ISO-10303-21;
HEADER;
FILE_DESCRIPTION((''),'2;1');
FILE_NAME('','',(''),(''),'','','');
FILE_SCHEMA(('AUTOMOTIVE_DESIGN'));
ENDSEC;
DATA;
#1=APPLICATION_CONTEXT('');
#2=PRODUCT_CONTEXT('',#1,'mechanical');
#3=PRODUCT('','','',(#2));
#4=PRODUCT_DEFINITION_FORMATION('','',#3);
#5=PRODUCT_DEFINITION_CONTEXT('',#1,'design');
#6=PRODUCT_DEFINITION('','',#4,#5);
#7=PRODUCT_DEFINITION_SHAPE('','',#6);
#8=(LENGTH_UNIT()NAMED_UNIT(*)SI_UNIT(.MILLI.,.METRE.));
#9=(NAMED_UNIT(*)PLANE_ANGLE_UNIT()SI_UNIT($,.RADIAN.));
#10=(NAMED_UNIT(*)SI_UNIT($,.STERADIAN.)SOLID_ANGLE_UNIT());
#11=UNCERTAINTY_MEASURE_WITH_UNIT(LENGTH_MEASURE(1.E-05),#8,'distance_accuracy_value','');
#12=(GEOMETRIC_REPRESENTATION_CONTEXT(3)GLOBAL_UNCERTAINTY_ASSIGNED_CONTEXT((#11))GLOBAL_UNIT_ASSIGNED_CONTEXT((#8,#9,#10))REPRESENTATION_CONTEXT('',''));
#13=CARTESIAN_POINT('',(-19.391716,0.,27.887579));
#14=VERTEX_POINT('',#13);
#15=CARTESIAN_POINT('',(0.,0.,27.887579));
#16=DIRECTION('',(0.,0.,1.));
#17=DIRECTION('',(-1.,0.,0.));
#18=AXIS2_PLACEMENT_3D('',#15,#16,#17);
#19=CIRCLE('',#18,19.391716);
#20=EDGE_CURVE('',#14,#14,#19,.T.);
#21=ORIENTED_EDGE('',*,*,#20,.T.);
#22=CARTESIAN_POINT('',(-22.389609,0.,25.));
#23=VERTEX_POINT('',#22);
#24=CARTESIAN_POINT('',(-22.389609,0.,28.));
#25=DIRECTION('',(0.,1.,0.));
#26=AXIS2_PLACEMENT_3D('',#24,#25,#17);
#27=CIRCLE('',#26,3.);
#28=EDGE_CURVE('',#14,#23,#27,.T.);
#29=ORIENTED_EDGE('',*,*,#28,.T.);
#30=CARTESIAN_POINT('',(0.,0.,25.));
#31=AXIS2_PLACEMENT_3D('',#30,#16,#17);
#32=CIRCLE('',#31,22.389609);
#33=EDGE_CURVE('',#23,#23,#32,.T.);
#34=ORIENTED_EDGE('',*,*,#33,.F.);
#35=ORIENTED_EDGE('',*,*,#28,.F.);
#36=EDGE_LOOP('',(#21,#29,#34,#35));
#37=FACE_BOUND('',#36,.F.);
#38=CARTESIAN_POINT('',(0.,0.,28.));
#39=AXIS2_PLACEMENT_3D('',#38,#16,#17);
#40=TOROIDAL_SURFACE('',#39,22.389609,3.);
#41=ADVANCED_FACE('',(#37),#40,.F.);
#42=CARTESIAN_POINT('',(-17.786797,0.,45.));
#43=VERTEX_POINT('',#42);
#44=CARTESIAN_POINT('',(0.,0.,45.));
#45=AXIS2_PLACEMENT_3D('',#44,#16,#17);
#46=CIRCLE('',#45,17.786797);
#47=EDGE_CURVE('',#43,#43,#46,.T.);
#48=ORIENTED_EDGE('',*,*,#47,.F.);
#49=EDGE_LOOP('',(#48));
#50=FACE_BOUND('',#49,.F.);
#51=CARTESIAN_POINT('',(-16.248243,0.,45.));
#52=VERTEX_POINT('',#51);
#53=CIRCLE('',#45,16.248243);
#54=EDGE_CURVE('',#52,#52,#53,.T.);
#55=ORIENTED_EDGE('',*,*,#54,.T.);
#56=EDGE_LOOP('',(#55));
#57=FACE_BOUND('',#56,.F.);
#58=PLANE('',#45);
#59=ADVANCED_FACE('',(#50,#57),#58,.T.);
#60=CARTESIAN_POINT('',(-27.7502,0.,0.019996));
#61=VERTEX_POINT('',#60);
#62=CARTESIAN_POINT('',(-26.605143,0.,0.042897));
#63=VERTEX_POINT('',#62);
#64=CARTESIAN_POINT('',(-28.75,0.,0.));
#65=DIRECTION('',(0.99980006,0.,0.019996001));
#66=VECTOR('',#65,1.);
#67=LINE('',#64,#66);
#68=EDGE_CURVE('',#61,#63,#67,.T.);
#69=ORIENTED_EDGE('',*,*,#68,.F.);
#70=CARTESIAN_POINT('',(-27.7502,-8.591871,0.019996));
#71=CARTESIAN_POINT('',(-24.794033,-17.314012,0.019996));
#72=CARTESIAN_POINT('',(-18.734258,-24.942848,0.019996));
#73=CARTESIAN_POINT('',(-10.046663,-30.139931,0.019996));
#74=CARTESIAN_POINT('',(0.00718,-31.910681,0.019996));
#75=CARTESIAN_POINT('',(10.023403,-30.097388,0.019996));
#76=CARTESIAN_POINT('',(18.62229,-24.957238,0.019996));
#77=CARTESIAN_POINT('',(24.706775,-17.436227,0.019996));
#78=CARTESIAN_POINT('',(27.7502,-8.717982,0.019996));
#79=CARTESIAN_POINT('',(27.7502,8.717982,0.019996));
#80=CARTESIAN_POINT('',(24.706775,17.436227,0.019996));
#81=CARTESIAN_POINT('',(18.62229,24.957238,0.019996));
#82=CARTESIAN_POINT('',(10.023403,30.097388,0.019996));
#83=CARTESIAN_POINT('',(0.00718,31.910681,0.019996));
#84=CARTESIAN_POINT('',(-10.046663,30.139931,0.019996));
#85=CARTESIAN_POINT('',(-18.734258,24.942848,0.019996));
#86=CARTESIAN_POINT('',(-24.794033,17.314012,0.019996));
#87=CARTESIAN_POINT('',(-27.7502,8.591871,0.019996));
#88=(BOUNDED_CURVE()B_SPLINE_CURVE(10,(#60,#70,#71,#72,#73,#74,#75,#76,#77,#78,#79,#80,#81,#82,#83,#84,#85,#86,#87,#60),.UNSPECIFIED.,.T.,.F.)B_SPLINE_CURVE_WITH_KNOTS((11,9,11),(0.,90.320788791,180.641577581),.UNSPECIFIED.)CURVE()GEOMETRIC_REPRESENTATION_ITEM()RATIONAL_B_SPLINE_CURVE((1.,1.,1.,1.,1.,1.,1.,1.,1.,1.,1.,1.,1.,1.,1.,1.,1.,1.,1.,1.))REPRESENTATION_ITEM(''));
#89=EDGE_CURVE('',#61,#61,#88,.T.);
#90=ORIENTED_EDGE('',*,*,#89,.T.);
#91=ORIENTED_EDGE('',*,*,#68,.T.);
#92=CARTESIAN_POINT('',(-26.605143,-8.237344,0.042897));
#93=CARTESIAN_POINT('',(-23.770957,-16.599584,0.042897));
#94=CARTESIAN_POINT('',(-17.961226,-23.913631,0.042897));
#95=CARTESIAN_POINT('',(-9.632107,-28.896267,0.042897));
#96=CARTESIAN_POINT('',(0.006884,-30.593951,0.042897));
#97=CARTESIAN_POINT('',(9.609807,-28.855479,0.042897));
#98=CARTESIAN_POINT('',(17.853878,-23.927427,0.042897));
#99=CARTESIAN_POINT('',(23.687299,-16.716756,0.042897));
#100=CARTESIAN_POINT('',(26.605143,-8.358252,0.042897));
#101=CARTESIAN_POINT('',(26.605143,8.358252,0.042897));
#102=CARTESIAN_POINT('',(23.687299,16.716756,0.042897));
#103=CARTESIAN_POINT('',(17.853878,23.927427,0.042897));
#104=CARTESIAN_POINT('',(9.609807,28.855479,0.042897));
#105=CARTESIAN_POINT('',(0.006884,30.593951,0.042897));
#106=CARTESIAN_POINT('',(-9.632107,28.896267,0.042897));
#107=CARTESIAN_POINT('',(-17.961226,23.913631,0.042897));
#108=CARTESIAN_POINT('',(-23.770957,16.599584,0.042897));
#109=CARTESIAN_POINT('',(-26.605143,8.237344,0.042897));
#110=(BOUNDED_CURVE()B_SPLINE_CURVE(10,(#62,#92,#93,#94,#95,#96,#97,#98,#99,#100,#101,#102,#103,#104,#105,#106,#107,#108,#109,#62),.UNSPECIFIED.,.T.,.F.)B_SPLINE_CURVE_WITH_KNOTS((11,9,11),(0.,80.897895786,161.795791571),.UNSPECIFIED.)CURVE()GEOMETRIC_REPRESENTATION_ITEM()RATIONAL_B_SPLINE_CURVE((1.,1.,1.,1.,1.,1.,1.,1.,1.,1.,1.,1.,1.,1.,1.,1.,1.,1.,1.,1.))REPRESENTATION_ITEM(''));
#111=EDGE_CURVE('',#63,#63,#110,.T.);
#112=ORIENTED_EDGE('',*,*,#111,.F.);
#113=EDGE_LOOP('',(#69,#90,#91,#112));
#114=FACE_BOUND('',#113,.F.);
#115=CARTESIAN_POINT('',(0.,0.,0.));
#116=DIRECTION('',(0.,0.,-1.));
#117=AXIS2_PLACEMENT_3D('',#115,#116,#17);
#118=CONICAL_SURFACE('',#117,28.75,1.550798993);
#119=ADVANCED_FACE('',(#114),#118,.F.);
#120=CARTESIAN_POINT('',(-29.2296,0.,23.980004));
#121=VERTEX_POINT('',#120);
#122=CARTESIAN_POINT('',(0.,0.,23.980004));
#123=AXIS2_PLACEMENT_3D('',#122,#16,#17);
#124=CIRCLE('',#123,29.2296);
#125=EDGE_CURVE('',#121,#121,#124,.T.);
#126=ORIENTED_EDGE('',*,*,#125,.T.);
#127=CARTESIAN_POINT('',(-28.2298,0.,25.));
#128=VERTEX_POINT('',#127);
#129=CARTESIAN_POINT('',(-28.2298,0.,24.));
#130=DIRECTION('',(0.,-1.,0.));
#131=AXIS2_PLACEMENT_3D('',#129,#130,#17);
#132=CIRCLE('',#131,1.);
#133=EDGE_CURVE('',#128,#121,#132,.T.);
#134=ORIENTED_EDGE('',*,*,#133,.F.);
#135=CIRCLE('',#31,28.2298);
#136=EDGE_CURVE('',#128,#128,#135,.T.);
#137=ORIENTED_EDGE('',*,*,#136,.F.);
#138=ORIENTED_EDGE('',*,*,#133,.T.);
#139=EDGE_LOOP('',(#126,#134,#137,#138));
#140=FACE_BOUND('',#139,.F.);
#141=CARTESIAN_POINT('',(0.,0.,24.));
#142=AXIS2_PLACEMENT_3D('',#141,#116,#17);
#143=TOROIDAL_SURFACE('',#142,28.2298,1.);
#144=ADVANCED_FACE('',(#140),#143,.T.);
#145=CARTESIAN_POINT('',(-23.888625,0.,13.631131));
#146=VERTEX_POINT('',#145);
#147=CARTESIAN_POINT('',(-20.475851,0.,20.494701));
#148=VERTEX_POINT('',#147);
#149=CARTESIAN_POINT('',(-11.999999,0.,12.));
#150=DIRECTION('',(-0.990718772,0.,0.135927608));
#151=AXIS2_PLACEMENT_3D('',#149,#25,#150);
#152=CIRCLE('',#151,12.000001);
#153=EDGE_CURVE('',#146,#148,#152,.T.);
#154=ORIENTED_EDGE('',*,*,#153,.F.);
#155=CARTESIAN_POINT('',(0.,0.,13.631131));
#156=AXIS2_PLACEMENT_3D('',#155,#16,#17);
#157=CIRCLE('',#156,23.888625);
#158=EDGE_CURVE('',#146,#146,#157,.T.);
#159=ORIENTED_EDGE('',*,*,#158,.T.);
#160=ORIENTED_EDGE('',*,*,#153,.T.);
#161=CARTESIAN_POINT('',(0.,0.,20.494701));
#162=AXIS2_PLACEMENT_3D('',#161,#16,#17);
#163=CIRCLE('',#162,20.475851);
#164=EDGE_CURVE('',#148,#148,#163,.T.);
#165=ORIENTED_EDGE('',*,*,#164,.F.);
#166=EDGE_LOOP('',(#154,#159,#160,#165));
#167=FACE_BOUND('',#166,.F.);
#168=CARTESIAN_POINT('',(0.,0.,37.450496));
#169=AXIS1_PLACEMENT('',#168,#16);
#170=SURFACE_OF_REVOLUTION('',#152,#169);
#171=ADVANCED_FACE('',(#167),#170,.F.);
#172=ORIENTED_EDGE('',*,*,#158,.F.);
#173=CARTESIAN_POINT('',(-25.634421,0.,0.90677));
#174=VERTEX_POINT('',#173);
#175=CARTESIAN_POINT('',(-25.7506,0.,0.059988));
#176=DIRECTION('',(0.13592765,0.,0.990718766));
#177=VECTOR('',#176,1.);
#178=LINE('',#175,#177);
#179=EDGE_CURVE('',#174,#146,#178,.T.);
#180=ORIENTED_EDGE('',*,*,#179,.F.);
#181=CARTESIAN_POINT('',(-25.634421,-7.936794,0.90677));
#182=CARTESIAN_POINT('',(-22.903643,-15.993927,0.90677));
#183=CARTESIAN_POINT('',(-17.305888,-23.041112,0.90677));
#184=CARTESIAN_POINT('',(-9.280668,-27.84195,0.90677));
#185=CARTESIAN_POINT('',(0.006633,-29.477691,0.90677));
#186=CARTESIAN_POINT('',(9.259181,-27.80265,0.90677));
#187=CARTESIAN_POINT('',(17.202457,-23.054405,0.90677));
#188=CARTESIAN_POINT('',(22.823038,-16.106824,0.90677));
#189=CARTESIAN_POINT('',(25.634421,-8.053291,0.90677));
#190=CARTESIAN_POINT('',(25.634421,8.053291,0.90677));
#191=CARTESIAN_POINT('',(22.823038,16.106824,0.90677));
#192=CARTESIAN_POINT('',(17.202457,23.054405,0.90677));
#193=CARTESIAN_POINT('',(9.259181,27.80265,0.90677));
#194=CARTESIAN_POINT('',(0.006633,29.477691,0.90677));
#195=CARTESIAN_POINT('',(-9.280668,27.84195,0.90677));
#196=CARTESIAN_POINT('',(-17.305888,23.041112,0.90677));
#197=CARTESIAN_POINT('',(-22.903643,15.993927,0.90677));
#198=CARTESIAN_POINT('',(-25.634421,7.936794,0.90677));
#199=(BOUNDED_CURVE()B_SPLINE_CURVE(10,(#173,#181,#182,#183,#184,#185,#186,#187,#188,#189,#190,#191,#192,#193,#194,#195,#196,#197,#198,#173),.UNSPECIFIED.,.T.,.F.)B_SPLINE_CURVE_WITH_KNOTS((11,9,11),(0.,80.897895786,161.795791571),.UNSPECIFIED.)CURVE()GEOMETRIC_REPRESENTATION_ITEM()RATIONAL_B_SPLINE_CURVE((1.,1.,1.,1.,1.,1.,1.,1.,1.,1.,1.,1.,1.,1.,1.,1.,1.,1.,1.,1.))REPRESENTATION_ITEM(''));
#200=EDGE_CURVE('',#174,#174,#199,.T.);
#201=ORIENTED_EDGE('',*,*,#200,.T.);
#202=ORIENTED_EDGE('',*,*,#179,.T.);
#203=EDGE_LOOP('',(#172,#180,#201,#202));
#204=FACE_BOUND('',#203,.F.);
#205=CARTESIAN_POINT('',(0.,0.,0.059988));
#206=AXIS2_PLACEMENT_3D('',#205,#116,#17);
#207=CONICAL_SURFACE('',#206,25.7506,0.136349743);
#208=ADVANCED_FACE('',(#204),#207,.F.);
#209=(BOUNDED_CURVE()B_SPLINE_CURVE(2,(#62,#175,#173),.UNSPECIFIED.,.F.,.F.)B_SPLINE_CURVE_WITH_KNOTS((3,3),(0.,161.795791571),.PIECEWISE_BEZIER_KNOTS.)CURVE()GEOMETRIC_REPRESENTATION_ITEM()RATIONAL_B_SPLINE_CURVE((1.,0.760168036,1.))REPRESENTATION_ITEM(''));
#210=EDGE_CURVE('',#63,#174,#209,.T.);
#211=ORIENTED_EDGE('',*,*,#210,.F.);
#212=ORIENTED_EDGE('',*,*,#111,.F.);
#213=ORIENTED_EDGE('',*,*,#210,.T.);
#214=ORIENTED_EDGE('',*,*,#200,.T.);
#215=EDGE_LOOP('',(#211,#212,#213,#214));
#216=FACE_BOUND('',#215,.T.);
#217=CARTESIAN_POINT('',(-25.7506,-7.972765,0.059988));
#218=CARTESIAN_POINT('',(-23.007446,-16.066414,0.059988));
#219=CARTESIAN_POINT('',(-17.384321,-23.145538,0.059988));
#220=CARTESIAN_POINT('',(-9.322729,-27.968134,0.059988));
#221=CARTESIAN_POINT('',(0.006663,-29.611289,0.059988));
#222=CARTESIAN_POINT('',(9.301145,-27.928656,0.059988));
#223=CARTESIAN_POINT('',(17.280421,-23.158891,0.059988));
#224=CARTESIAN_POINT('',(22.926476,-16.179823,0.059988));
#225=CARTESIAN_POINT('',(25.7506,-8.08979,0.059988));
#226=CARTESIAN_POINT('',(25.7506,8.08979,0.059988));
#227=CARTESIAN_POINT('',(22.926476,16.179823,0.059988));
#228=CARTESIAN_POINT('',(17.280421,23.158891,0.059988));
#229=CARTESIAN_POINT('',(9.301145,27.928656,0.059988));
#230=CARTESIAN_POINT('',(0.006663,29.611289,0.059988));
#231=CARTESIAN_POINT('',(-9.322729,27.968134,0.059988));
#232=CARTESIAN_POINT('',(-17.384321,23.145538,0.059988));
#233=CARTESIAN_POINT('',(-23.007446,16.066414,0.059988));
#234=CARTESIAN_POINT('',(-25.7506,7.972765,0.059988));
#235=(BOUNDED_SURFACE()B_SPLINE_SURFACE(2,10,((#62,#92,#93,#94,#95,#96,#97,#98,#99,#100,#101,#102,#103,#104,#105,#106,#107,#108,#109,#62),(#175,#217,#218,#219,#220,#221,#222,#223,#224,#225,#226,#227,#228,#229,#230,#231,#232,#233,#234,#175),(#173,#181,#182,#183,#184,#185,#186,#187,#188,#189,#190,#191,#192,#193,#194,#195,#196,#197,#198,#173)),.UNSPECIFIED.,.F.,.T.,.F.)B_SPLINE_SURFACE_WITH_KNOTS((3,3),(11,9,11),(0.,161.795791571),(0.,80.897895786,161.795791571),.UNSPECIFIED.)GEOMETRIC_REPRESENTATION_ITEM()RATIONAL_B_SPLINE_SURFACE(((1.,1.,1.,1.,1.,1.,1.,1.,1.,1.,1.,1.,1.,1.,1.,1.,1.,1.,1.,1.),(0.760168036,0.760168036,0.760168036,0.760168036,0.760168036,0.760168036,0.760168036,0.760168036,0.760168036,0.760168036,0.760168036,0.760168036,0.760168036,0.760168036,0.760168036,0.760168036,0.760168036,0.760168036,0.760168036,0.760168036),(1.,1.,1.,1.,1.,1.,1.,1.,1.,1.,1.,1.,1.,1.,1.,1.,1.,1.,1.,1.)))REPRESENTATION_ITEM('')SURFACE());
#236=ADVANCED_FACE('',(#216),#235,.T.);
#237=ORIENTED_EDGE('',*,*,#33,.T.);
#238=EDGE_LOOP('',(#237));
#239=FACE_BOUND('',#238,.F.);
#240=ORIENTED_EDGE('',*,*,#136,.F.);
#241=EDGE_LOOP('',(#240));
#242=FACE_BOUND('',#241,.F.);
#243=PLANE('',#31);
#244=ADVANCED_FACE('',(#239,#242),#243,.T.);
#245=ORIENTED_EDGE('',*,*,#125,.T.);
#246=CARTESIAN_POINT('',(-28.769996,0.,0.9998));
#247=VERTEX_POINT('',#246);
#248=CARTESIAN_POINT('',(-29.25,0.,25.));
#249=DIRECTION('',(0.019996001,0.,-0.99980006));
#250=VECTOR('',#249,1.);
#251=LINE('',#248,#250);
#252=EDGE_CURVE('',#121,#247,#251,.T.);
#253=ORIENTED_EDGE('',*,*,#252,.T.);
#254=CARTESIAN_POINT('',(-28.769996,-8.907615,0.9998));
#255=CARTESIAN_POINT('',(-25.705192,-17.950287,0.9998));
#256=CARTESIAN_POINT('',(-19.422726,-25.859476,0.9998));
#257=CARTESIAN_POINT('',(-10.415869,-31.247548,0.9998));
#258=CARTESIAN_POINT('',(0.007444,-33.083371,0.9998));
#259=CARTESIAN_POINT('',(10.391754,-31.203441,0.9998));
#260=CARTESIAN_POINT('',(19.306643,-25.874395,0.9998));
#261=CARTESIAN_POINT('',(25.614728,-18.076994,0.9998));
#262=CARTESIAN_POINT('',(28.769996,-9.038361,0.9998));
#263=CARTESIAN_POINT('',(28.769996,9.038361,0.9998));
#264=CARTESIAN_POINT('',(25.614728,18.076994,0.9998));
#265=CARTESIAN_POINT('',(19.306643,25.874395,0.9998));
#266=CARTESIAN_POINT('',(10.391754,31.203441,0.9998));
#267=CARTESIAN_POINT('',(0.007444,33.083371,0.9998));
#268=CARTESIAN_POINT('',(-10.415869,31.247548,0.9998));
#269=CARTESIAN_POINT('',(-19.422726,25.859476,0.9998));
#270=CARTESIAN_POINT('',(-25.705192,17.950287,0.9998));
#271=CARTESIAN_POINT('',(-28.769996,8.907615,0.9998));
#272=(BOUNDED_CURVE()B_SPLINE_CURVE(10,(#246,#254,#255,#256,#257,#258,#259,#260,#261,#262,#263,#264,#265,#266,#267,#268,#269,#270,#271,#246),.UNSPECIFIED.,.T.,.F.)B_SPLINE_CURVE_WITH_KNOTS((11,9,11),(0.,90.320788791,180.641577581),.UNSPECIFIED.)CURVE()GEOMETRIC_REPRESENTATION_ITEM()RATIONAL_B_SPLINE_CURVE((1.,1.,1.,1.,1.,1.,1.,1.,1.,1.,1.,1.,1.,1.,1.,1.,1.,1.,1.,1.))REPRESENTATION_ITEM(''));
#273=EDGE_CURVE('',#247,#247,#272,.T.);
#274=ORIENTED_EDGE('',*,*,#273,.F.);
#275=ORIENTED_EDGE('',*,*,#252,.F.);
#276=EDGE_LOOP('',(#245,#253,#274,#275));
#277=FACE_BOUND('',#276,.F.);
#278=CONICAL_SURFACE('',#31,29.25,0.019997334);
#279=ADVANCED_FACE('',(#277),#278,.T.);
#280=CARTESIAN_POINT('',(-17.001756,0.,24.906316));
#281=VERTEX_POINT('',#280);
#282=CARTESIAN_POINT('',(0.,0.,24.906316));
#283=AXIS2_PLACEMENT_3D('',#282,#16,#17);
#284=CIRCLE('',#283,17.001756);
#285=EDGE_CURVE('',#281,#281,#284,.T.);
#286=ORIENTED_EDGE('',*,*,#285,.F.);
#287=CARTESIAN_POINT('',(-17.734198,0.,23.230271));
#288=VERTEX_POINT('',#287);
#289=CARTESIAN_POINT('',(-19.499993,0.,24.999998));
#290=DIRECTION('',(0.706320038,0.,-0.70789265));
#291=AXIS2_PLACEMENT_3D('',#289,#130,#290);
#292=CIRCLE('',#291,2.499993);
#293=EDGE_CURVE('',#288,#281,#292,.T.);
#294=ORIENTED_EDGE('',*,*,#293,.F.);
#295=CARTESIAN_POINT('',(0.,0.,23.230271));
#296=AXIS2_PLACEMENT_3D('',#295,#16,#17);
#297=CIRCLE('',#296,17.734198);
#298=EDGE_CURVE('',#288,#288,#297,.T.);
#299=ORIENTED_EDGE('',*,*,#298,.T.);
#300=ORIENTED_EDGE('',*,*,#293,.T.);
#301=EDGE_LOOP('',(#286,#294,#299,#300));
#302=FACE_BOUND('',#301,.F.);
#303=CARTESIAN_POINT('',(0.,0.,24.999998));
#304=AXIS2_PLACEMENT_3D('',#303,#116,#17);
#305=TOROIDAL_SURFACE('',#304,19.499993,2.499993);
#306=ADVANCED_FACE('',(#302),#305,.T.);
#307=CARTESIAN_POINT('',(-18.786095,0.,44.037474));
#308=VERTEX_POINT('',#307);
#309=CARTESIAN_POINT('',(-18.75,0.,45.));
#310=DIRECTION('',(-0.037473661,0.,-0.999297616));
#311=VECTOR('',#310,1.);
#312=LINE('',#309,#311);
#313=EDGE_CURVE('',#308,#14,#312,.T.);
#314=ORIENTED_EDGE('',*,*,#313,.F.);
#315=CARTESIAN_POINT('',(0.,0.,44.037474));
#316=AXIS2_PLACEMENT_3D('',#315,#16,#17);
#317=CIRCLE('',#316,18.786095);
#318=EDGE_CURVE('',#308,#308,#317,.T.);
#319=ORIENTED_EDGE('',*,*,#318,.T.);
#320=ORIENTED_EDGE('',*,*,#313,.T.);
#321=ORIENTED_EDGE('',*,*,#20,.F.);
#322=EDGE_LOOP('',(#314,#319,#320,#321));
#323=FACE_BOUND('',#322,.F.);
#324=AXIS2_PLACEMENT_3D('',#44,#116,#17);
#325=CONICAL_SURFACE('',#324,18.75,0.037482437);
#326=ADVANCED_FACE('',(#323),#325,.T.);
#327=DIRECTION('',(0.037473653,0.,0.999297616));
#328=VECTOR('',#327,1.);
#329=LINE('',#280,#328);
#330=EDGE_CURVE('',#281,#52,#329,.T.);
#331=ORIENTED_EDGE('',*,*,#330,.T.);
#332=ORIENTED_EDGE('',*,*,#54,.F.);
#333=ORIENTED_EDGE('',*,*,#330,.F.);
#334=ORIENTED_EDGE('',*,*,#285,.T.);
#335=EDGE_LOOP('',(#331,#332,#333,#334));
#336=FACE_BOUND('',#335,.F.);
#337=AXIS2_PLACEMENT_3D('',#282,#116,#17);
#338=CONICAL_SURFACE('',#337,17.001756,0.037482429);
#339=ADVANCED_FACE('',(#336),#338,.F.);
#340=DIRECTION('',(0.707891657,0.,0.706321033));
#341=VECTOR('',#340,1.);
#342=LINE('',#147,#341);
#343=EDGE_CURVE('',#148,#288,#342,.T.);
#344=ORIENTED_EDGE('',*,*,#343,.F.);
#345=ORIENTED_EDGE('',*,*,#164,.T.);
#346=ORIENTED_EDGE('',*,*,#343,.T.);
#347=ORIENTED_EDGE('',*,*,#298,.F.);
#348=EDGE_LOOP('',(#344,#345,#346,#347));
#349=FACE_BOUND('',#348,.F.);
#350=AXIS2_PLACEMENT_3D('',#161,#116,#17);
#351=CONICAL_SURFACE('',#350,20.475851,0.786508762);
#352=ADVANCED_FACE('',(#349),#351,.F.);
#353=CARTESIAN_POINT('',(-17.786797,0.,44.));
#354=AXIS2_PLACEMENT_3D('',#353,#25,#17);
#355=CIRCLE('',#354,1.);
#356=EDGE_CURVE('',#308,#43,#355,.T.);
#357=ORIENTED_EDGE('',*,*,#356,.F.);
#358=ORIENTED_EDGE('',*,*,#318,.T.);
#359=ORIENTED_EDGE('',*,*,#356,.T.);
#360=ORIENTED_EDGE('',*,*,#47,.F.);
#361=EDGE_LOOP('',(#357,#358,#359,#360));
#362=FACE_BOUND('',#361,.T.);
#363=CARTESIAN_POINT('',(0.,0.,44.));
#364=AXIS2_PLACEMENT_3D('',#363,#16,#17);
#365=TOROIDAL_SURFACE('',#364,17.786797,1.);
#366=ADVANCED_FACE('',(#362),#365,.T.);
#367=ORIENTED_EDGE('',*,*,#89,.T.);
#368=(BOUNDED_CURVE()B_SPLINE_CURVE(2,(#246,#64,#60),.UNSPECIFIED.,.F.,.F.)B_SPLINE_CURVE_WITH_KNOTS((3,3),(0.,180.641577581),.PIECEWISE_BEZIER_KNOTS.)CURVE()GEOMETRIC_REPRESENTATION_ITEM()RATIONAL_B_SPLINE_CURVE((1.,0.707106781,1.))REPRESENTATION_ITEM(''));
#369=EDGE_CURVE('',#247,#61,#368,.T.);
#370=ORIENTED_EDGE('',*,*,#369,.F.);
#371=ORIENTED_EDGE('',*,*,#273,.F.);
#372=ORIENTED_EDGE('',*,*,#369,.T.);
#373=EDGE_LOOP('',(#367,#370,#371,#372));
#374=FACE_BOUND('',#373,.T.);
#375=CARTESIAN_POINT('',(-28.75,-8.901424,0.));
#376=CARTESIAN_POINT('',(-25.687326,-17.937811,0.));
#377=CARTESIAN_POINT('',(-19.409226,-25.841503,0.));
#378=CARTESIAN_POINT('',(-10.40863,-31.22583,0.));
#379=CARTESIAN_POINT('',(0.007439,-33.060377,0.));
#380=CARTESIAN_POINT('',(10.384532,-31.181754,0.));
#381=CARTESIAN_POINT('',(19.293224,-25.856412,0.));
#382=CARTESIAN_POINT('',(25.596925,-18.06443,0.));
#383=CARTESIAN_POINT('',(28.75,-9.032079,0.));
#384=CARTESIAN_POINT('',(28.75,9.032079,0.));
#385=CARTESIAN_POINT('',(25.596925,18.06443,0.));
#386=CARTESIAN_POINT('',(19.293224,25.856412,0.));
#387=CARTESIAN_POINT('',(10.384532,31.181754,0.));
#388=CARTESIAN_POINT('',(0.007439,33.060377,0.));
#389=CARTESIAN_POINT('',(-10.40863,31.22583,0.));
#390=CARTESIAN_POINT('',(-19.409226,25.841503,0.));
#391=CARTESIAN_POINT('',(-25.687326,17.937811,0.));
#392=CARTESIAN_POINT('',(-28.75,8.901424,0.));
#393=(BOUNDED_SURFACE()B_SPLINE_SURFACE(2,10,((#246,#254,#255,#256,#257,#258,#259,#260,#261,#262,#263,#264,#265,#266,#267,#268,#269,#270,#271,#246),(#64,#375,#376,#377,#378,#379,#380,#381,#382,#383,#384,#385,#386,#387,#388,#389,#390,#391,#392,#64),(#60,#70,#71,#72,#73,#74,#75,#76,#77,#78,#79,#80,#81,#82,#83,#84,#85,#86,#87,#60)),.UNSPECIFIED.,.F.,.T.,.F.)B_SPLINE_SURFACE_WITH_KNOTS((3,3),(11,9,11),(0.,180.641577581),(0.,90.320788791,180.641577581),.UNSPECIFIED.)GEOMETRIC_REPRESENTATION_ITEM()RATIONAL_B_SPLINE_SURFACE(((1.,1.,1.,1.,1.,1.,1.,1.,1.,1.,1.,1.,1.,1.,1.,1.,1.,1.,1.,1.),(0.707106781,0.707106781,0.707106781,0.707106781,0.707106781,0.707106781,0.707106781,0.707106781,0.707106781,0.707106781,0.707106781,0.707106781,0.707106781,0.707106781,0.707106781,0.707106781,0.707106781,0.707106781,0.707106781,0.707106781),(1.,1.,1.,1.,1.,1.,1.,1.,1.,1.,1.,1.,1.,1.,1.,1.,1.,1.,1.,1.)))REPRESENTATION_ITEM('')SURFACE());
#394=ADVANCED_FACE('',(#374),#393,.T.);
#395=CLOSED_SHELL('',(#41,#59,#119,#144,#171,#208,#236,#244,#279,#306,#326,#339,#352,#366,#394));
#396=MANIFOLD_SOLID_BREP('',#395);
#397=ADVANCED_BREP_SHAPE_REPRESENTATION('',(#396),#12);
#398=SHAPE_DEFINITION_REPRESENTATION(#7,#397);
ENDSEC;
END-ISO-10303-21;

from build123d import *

# Parameters (mm, degrees)
F3_R = 3
F4_R = 1


with BuildPart() as f2:
    # F1 (on Front) → F2 (revolve)
    with BuildSketch(Plane.XZ):
        with BuildLine():
            Line((-29.25, 25), (-28.75, 0))
            Line((-28.75, 0), (-25.7506, 0.059988))
            Line((-25.7506, 0.059988), (-23.888625, 13.631131))
            ThreePointArc((-23.888625, 13.631131), (-22.745004, 17.342741), (-20.475851, 20.494701))
            Line((-20.475851, 20.494701), (-17.734198, 23.230271))
            ThreePointArc((-17.734198, 23.230271), (-17.209191, 23.998903), (-17.001756, 24.906316))
            Line((-17.001756, 24.906316), (-16.248243, 45))
            Line((-16.248243, 45), (-18.75, 45))
            Line((-18.75, 45), (-19.5, 25))
            Line((-19.5, 25), (-29.25, 25))
        make_face()
    revolve(axis=Axis((0, 0, 37.450496), (0, 0, 1)))

    # F3
    f3_edges = [f2.edges().sort_by_distance(p)[0] for p in [
        (19.5, 0, 25),
    ]]
    fillet(f3_edges, radius=F3_R)

    # F4
    f4_edges = [f2.edges().sort_by_distance(p)[0] for p in [
        (29.25, 0, 25),
        (18.75, 0, 45),
        (28.75, 0, 0),
        (25.7506, 0, 0.059988),
    ]]
    fillet(f4_edges, radius=F4_R)


solid = f2.part
